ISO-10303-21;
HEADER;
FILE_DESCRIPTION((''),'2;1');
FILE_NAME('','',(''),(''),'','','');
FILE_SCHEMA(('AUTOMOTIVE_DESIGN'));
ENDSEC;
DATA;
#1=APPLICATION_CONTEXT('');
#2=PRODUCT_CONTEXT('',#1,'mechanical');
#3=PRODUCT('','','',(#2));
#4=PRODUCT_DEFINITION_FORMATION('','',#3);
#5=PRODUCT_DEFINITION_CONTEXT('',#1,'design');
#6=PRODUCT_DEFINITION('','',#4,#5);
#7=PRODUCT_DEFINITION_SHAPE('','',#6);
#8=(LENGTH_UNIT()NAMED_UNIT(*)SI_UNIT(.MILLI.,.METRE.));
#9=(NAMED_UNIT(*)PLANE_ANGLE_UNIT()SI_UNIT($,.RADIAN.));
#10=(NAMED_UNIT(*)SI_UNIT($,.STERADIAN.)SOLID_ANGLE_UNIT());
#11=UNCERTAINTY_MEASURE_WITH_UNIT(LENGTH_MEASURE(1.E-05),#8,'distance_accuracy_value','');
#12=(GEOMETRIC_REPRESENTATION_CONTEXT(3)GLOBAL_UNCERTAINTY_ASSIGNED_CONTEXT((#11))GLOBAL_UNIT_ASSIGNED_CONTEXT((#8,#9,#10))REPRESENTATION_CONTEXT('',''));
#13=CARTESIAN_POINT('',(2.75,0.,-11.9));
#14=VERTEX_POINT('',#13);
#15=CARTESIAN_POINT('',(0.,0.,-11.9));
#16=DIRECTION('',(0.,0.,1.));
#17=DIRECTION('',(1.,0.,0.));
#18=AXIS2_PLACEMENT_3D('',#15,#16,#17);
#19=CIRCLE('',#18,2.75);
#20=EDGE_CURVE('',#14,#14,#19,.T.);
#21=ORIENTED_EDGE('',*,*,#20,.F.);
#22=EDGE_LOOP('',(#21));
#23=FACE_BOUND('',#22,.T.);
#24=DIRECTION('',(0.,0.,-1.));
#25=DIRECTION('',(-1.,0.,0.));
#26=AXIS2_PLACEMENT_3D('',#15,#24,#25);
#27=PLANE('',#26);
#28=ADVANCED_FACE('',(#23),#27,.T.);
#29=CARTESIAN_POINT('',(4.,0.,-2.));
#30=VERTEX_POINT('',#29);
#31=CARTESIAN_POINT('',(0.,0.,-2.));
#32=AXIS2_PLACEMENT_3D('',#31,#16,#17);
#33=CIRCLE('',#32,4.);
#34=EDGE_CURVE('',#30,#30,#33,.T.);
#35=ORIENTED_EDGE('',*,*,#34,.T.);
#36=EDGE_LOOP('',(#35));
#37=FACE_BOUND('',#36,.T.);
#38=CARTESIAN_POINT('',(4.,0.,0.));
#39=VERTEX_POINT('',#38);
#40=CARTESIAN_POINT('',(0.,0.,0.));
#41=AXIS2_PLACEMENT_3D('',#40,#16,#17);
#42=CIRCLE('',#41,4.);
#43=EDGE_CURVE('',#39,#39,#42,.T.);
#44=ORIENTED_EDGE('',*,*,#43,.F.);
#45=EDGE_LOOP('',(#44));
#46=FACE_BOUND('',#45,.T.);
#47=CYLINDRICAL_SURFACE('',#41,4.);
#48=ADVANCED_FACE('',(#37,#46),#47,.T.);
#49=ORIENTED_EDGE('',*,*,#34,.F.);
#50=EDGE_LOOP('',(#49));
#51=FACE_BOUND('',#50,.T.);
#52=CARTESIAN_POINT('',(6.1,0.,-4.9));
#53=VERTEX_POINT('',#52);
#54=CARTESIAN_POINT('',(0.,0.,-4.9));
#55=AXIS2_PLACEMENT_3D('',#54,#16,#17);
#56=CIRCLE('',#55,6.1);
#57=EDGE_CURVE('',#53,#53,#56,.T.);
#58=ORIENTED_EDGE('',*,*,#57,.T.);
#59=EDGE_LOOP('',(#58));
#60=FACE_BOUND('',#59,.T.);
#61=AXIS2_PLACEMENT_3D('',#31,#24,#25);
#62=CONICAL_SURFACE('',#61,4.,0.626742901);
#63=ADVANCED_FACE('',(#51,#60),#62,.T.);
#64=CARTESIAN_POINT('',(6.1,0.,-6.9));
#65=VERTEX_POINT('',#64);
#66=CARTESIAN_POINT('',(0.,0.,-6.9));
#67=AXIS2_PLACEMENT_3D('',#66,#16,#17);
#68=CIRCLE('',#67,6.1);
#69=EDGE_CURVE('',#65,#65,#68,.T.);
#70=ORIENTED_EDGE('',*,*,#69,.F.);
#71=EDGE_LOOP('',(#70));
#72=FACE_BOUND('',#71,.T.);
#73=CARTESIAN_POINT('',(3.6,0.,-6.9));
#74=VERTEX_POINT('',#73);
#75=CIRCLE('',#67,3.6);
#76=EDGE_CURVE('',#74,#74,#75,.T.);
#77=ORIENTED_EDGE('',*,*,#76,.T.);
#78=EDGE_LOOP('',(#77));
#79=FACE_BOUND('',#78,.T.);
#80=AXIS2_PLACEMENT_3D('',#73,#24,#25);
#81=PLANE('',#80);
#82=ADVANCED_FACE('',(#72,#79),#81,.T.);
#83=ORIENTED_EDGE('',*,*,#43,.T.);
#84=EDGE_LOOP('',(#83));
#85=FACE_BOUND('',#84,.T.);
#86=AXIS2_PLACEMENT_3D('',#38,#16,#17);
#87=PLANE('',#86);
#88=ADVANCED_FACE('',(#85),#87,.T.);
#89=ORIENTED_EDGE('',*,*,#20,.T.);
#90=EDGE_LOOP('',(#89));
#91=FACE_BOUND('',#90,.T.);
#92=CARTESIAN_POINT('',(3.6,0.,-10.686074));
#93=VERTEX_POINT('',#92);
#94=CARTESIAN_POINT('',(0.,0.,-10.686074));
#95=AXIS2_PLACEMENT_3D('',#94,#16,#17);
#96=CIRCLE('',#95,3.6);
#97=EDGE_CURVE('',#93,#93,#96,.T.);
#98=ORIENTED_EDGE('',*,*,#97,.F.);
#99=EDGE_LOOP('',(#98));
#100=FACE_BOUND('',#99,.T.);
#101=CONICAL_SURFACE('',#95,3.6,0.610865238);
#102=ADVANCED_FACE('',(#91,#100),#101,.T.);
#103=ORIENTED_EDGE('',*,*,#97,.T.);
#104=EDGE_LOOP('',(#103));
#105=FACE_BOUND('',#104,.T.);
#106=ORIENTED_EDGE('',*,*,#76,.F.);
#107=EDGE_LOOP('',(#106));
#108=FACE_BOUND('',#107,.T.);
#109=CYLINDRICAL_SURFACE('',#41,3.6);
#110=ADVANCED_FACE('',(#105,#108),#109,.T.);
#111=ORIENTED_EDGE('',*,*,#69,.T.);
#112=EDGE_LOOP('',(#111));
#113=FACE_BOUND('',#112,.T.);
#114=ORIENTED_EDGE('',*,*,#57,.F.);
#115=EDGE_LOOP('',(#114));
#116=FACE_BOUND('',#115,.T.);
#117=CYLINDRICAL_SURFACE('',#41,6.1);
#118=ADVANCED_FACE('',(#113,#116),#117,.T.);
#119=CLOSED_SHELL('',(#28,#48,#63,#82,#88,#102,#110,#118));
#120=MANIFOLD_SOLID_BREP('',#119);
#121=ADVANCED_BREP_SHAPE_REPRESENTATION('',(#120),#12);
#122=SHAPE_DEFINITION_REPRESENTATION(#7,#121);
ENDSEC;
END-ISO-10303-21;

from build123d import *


with BuildPart() as part:
    # Sketch1 → Revolve1 (revolve)
    with BuildSketch(Plane(origin=(0, 0, 0), x_dir=(1, 0, 0), z_dir=(0, 1, 0))):
        Polygon((0, 0), (0, 11.9), (2.75, 11.9), (3.6, 10.686074194), (3.6, 6.9), (6.1, 6.9), (6.1, 4.9), (4, 2), (4, 0), align=None)
    revolve(axis=Axis((0, 0, 0), (0, 0, -1)))


solid = part.part
